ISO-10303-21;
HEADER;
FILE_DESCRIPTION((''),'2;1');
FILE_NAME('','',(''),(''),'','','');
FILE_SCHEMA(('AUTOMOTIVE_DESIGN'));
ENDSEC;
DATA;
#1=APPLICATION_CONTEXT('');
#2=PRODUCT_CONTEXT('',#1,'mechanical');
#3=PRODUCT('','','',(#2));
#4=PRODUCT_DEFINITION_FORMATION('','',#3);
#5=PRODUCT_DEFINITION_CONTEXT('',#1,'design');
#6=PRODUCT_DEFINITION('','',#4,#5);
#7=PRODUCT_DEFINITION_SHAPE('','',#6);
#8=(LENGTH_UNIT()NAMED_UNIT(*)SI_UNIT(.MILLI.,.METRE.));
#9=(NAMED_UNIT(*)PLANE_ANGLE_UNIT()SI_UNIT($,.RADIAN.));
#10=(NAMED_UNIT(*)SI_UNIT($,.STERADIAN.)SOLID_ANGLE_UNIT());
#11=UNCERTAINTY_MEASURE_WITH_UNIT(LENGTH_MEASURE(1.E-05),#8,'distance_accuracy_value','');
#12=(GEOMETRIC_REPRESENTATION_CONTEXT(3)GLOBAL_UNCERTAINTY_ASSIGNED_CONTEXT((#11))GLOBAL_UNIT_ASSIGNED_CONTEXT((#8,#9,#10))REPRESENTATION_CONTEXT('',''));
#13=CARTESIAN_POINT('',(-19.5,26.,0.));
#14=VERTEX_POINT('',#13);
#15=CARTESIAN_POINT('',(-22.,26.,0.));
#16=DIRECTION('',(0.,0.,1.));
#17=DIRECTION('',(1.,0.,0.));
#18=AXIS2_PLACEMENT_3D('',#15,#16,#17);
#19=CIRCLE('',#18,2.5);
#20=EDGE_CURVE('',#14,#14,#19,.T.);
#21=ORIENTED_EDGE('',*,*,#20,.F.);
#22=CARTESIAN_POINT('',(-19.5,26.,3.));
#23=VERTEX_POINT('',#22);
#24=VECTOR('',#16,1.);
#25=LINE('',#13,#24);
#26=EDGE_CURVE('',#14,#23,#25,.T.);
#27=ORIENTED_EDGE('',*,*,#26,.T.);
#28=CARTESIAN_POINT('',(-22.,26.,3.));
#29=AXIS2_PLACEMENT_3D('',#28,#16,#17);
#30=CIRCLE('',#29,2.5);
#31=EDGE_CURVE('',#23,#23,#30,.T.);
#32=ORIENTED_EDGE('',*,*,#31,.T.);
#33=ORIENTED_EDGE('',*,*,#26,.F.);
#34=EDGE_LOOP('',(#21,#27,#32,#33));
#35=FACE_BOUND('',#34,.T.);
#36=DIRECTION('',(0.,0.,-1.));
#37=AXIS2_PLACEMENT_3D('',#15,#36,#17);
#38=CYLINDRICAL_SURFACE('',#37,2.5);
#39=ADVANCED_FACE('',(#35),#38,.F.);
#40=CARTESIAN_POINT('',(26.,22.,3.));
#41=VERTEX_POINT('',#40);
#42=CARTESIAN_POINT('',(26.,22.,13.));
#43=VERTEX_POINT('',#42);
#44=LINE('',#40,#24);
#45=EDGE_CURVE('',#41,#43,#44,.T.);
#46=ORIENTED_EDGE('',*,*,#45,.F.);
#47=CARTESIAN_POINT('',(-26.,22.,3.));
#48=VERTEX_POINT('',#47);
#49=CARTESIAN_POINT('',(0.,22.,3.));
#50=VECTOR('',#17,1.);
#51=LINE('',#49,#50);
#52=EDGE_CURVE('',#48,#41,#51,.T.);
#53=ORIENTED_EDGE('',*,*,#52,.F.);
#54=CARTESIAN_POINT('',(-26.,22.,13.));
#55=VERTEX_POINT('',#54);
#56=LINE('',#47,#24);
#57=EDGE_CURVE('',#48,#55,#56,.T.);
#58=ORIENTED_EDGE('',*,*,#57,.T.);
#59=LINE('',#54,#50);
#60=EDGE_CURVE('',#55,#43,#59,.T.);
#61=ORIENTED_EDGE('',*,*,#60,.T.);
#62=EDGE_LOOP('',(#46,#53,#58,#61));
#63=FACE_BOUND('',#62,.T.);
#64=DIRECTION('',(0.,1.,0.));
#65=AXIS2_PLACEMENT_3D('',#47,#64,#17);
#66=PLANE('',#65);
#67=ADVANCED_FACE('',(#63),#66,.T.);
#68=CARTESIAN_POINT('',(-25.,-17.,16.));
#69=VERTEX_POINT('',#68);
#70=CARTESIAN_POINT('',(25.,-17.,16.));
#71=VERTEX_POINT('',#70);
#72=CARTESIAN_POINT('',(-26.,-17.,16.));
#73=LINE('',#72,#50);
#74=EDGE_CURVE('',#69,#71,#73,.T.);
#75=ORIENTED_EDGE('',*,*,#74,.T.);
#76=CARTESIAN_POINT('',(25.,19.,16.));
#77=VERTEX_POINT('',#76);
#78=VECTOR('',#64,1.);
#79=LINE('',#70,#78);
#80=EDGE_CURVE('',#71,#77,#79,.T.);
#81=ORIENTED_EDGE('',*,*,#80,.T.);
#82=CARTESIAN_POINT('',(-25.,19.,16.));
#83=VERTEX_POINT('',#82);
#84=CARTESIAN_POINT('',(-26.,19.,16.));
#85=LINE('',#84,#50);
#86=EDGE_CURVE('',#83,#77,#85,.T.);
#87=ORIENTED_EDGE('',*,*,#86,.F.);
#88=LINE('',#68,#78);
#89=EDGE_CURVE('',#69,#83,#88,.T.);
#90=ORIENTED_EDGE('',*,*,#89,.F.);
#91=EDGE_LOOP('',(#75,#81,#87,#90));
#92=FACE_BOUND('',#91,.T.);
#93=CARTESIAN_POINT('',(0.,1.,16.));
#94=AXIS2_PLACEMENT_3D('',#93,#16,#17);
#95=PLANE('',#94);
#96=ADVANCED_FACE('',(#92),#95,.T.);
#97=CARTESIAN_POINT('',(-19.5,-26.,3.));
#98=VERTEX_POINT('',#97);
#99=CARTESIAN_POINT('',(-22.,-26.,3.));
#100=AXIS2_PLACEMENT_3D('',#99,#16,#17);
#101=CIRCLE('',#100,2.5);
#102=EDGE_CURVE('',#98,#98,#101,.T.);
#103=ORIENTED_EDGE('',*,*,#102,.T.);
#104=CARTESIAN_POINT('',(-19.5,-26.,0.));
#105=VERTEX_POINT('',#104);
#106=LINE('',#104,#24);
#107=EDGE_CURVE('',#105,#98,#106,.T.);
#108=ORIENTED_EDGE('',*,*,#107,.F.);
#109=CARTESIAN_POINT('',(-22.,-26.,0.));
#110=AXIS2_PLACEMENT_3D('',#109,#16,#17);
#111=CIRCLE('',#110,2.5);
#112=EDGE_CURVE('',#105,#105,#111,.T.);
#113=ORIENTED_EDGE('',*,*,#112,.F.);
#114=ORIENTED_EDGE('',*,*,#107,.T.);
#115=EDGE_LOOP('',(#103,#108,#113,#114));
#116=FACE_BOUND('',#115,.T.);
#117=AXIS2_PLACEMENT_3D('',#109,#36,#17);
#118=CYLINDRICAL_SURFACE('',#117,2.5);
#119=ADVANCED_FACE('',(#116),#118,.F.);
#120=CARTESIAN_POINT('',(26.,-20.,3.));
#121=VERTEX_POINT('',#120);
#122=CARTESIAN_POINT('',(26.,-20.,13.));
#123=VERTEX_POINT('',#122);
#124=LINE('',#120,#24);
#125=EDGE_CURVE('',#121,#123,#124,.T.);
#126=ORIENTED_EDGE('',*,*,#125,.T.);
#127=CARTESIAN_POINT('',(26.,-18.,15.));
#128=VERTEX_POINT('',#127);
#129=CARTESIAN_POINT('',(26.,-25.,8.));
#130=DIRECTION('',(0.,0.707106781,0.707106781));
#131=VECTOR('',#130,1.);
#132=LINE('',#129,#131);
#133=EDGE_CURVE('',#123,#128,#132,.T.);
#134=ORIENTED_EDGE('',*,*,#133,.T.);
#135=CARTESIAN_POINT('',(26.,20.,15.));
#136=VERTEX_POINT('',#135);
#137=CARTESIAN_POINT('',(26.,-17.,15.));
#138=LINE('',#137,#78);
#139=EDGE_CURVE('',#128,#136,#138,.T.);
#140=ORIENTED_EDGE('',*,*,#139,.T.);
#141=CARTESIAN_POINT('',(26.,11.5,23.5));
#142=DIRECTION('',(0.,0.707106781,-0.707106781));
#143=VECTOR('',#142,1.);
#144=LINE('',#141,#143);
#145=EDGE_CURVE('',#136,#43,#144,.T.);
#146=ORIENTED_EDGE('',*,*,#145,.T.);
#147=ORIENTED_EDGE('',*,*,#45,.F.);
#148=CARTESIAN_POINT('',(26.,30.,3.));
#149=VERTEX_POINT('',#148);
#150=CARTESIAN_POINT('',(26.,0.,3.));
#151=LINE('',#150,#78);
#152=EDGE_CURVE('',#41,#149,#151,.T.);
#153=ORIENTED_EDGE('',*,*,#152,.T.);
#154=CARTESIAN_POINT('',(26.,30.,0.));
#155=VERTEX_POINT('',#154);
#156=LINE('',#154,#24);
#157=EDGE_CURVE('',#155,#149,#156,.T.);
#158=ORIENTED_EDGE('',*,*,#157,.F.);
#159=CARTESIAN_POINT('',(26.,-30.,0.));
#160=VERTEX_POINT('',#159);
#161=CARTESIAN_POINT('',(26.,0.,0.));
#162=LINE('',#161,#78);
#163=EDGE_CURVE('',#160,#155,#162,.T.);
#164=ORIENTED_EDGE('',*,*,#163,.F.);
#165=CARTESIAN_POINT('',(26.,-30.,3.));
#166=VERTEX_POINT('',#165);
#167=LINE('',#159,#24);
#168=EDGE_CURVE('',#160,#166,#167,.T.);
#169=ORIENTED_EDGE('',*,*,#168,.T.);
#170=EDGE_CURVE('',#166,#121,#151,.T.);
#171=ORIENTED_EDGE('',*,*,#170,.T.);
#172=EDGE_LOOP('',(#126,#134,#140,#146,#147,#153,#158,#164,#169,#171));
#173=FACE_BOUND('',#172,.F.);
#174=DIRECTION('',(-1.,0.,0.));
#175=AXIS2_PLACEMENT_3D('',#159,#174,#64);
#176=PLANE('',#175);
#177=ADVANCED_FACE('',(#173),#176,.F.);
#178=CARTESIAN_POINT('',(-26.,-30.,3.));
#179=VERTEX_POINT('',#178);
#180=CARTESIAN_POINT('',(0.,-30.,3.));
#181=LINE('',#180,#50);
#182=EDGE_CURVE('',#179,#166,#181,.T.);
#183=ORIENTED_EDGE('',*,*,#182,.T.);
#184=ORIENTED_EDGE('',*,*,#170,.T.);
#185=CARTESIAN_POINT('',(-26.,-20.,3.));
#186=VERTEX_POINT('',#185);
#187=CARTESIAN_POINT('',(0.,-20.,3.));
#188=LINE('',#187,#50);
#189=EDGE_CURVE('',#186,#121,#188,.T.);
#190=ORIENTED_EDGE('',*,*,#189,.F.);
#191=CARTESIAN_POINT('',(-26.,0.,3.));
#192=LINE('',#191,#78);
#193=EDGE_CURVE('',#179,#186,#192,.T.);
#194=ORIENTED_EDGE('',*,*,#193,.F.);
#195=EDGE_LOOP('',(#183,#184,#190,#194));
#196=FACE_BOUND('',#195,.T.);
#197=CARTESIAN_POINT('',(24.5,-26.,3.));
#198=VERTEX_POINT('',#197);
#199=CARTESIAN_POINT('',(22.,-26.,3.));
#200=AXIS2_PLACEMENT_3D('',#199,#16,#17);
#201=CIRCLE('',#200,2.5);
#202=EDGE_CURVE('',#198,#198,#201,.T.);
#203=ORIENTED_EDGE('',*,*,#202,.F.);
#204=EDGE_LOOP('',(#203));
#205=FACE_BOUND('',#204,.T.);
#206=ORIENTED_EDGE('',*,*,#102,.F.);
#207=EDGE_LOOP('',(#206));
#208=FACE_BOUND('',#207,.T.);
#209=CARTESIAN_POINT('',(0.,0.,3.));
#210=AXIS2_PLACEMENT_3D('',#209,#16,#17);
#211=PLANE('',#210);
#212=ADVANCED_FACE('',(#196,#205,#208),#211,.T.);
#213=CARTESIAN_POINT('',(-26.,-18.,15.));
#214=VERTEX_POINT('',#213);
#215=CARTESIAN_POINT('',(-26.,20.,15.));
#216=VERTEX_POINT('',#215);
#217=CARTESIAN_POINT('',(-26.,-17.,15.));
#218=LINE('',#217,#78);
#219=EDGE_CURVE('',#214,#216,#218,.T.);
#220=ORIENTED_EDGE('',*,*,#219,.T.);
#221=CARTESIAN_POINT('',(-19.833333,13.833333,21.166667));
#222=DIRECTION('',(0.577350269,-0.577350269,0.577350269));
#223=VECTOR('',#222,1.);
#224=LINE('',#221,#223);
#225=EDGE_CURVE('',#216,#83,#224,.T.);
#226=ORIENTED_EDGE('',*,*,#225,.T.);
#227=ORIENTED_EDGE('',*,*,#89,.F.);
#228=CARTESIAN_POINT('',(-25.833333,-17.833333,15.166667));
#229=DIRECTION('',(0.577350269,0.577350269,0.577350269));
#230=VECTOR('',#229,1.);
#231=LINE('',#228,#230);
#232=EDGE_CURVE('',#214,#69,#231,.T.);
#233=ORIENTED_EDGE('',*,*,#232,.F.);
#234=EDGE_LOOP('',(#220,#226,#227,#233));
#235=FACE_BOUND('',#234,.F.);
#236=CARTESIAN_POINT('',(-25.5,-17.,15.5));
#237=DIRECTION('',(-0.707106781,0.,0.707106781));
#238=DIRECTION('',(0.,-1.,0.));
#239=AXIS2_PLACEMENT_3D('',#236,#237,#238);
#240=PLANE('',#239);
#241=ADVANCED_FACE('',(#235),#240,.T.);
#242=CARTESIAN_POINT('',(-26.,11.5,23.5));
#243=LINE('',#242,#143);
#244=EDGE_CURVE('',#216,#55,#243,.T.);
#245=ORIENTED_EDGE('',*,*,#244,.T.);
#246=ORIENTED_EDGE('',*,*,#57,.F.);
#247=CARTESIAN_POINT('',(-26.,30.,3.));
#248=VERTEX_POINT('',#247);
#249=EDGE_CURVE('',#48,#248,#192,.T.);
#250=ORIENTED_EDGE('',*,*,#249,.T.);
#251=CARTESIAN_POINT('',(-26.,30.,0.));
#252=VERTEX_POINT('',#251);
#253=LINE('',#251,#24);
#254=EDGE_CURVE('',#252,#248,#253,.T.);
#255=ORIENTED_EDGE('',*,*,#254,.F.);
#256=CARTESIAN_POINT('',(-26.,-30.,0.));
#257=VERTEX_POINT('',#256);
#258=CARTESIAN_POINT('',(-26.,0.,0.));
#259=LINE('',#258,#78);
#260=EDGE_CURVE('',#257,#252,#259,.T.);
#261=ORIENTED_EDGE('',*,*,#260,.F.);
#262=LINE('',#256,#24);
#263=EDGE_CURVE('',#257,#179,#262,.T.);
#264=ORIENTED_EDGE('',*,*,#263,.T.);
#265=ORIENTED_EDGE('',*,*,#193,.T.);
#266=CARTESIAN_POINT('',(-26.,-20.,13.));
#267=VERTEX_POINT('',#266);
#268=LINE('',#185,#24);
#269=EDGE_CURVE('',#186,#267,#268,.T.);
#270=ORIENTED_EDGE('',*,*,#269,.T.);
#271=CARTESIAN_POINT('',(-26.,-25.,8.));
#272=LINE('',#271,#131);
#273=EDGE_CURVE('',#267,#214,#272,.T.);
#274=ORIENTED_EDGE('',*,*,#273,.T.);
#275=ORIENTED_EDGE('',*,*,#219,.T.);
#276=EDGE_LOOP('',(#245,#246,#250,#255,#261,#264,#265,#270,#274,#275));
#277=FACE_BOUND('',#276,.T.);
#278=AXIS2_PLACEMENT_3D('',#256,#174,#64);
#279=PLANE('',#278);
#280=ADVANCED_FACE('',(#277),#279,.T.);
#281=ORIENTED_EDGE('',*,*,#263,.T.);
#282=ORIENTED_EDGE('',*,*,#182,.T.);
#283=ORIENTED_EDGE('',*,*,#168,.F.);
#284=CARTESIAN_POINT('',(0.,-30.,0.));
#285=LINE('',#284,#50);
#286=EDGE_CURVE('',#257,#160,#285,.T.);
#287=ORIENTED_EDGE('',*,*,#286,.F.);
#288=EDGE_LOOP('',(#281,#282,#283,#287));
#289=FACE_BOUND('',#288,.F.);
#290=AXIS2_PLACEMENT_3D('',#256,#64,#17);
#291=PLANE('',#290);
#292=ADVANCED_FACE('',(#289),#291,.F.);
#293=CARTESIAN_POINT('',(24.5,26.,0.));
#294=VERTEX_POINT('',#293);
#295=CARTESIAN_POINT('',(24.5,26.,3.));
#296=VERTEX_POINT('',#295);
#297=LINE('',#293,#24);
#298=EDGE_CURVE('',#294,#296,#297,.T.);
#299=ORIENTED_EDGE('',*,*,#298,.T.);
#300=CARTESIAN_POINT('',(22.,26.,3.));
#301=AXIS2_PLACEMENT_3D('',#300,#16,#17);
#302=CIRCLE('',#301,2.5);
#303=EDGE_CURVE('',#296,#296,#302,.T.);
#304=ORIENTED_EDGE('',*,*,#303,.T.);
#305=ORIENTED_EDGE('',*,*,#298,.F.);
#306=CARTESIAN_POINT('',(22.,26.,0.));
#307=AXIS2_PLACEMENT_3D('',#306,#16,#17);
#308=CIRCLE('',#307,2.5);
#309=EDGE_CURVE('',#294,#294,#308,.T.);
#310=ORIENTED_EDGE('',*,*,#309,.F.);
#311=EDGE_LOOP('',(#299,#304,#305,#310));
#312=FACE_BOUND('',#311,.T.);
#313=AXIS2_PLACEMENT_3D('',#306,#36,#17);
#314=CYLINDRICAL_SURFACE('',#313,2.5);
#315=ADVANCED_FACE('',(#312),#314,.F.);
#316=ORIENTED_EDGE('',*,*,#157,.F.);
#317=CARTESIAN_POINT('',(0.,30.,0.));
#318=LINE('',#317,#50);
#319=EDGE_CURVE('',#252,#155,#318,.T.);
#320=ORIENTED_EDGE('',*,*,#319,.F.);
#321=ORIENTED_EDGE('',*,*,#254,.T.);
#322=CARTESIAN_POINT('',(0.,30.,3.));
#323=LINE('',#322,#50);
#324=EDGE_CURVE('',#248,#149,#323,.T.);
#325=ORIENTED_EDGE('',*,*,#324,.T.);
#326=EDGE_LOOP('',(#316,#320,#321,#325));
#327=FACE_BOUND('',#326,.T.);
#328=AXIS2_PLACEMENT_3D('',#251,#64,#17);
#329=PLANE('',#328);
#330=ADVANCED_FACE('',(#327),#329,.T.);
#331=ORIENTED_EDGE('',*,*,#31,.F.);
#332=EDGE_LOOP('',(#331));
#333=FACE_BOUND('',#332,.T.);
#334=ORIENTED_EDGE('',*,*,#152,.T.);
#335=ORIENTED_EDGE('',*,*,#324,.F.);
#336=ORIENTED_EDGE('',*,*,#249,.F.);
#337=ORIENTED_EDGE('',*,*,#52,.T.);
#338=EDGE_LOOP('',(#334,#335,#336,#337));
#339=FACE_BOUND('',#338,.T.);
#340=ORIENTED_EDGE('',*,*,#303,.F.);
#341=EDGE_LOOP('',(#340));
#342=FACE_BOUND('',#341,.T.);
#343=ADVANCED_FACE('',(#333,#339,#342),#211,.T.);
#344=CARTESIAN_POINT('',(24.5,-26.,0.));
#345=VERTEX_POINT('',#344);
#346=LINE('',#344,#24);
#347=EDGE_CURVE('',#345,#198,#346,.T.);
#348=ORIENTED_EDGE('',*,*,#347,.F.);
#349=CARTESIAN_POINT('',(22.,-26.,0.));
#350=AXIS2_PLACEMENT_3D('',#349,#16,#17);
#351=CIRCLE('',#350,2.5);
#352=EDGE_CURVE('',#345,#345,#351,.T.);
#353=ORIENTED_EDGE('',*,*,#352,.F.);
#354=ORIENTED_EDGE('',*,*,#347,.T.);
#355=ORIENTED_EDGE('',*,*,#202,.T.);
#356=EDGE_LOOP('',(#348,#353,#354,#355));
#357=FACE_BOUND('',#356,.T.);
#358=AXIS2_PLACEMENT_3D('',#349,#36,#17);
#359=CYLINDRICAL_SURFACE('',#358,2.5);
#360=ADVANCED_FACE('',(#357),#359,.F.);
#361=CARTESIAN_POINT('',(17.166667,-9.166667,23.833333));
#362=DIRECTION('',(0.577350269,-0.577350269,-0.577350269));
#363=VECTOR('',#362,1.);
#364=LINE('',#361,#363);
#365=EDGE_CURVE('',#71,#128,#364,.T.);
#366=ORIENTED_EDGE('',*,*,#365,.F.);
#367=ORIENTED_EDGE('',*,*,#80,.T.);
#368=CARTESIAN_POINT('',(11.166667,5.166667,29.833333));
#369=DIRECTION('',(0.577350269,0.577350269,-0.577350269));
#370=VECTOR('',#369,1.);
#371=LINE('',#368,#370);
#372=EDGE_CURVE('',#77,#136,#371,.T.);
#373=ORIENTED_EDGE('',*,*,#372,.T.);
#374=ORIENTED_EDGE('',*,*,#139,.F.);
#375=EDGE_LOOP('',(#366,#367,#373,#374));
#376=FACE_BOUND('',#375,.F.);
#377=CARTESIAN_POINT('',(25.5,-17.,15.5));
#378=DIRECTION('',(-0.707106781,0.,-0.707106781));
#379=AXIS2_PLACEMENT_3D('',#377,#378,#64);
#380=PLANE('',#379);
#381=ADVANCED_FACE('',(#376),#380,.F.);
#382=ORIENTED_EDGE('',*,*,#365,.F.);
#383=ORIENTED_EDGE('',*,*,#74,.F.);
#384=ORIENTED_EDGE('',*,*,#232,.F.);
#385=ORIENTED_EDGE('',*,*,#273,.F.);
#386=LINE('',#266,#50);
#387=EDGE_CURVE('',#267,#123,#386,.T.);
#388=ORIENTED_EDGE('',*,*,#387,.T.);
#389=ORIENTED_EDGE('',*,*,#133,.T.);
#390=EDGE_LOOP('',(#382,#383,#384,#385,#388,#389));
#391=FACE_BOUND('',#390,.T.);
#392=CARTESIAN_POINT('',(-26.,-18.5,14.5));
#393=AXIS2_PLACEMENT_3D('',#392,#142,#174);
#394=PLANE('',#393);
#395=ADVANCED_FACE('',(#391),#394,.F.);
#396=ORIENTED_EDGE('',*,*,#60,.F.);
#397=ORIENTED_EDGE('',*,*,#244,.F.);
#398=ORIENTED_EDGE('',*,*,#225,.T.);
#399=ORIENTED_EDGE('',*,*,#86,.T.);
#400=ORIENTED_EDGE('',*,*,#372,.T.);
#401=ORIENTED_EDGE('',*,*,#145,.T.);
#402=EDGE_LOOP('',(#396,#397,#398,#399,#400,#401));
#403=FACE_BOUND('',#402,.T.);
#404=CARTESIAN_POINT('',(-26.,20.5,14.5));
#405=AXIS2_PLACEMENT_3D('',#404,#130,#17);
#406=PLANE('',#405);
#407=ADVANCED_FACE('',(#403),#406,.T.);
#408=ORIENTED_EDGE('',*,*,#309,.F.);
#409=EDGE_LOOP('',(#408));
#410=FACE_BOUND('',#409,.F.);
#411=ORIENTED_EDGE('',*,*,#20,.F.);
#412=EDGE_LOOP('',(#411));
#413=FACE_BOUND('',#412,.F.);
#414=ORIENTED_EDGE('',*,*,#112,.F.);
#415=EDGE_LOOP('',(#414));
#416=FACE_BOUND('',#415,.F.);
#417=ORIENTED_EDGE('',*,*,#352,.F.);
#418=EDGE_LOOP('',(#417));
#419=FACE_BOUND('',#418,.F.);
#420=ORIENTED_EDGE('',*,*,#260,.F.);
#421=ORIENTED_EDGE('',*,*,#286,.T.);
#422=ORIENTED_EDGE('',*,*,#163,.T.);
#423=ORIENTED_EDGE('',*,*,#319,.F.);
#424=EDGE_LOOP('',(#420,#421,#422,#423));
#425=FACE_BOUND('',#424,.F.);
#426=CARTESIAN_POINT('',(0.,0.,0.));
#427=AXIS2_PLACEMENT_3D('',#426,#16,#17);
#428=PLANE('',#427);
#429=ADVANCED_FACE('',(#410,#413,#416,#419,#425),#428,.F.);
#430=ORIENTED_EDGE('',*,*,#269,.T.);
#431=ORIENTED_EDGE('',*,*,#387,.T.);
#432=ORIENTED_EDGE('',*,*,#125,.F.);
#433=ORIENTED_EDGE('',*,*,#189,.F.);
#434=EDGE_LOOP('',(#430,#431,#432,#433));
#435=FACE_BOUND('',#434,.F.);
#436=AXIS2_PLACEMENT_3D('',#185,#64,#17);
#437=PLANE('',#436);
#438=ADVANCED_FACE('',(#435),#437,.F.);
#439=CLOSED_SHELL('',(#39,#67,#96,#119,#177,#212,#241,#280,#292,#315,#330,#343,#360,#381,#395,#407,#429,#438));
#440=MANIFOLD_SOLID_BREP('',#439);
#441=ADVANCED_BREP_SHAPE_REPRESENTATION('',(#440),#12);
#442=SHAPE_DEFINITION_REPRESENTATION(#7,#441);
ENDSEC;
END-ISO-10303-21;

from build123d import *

# Parameters (mm, degrees)
F0_W     = 52
F0_H     = 60
F0_R     = 2.5
F1_DEPTH = 3
F2_W     = 52
F2_H     = 42
F3_DEPTH = 13
F4_SIZE  = 3
F5_SIZE  = 3
F6_SIZE  = 1
F7_SIZE  = 1


with BuildPart() as f1:
    # F0 (on Top) → F1 (new body)
    with BuildSketch(Plane.XY):
        Rectangle(F0_W, F0_H)
        with Locations((-22, -26)):
            Circle(F0_R, mode=Mode.SUBTRACT)
        with Locations((22, -26)):
            Circle(F0_R, mode=Mode.SUBTRACT)
        with Locations((-22, 26)):
            Circle(F0_R, mode=Mode.SUBTRACT)
        with Locations((22, 26)):
            Circle(F0_R, mode=Mode.SUBTRACT)
    extrude(amount=F1_DEPTH)

    # F2 (on face) → F3 (join)
    with BuildSketch(Plane.XY.offset(3)):
        with Locations((0, 1)):
            Rectangle(F2_W, F2_H)
    extrude(amount=F3_DEPTH)

    # F4
    f4_edges = [f1.edges().sort_by_distance(p)[0] for p in [
        (0, -20, 16),
    ]]
    chamfer(f4_edges, length=F4_SIZE)

    # F5
    f5_edges = [f1.edges().sort_by_distance(p)[0] for p in [
        (0, 22, 16),
    ]]
    chamfer(f5_edges, length=F5_SIZE)

    # F6
    f6_edges = [f1.edges().sort_by_distance(p)[0] for p in [
        (-26, 1, 16),
    ]]
    chamfer(f6_edges, length=F6_SIZE)

    # F7
    f7_edges = [f1.edges().sort_by_distance(p)[0] for p in [
        (26, 1, 16),
    ]]
    chamfer(f7_edges, length=F7_SIZE)


solid = f1.part
